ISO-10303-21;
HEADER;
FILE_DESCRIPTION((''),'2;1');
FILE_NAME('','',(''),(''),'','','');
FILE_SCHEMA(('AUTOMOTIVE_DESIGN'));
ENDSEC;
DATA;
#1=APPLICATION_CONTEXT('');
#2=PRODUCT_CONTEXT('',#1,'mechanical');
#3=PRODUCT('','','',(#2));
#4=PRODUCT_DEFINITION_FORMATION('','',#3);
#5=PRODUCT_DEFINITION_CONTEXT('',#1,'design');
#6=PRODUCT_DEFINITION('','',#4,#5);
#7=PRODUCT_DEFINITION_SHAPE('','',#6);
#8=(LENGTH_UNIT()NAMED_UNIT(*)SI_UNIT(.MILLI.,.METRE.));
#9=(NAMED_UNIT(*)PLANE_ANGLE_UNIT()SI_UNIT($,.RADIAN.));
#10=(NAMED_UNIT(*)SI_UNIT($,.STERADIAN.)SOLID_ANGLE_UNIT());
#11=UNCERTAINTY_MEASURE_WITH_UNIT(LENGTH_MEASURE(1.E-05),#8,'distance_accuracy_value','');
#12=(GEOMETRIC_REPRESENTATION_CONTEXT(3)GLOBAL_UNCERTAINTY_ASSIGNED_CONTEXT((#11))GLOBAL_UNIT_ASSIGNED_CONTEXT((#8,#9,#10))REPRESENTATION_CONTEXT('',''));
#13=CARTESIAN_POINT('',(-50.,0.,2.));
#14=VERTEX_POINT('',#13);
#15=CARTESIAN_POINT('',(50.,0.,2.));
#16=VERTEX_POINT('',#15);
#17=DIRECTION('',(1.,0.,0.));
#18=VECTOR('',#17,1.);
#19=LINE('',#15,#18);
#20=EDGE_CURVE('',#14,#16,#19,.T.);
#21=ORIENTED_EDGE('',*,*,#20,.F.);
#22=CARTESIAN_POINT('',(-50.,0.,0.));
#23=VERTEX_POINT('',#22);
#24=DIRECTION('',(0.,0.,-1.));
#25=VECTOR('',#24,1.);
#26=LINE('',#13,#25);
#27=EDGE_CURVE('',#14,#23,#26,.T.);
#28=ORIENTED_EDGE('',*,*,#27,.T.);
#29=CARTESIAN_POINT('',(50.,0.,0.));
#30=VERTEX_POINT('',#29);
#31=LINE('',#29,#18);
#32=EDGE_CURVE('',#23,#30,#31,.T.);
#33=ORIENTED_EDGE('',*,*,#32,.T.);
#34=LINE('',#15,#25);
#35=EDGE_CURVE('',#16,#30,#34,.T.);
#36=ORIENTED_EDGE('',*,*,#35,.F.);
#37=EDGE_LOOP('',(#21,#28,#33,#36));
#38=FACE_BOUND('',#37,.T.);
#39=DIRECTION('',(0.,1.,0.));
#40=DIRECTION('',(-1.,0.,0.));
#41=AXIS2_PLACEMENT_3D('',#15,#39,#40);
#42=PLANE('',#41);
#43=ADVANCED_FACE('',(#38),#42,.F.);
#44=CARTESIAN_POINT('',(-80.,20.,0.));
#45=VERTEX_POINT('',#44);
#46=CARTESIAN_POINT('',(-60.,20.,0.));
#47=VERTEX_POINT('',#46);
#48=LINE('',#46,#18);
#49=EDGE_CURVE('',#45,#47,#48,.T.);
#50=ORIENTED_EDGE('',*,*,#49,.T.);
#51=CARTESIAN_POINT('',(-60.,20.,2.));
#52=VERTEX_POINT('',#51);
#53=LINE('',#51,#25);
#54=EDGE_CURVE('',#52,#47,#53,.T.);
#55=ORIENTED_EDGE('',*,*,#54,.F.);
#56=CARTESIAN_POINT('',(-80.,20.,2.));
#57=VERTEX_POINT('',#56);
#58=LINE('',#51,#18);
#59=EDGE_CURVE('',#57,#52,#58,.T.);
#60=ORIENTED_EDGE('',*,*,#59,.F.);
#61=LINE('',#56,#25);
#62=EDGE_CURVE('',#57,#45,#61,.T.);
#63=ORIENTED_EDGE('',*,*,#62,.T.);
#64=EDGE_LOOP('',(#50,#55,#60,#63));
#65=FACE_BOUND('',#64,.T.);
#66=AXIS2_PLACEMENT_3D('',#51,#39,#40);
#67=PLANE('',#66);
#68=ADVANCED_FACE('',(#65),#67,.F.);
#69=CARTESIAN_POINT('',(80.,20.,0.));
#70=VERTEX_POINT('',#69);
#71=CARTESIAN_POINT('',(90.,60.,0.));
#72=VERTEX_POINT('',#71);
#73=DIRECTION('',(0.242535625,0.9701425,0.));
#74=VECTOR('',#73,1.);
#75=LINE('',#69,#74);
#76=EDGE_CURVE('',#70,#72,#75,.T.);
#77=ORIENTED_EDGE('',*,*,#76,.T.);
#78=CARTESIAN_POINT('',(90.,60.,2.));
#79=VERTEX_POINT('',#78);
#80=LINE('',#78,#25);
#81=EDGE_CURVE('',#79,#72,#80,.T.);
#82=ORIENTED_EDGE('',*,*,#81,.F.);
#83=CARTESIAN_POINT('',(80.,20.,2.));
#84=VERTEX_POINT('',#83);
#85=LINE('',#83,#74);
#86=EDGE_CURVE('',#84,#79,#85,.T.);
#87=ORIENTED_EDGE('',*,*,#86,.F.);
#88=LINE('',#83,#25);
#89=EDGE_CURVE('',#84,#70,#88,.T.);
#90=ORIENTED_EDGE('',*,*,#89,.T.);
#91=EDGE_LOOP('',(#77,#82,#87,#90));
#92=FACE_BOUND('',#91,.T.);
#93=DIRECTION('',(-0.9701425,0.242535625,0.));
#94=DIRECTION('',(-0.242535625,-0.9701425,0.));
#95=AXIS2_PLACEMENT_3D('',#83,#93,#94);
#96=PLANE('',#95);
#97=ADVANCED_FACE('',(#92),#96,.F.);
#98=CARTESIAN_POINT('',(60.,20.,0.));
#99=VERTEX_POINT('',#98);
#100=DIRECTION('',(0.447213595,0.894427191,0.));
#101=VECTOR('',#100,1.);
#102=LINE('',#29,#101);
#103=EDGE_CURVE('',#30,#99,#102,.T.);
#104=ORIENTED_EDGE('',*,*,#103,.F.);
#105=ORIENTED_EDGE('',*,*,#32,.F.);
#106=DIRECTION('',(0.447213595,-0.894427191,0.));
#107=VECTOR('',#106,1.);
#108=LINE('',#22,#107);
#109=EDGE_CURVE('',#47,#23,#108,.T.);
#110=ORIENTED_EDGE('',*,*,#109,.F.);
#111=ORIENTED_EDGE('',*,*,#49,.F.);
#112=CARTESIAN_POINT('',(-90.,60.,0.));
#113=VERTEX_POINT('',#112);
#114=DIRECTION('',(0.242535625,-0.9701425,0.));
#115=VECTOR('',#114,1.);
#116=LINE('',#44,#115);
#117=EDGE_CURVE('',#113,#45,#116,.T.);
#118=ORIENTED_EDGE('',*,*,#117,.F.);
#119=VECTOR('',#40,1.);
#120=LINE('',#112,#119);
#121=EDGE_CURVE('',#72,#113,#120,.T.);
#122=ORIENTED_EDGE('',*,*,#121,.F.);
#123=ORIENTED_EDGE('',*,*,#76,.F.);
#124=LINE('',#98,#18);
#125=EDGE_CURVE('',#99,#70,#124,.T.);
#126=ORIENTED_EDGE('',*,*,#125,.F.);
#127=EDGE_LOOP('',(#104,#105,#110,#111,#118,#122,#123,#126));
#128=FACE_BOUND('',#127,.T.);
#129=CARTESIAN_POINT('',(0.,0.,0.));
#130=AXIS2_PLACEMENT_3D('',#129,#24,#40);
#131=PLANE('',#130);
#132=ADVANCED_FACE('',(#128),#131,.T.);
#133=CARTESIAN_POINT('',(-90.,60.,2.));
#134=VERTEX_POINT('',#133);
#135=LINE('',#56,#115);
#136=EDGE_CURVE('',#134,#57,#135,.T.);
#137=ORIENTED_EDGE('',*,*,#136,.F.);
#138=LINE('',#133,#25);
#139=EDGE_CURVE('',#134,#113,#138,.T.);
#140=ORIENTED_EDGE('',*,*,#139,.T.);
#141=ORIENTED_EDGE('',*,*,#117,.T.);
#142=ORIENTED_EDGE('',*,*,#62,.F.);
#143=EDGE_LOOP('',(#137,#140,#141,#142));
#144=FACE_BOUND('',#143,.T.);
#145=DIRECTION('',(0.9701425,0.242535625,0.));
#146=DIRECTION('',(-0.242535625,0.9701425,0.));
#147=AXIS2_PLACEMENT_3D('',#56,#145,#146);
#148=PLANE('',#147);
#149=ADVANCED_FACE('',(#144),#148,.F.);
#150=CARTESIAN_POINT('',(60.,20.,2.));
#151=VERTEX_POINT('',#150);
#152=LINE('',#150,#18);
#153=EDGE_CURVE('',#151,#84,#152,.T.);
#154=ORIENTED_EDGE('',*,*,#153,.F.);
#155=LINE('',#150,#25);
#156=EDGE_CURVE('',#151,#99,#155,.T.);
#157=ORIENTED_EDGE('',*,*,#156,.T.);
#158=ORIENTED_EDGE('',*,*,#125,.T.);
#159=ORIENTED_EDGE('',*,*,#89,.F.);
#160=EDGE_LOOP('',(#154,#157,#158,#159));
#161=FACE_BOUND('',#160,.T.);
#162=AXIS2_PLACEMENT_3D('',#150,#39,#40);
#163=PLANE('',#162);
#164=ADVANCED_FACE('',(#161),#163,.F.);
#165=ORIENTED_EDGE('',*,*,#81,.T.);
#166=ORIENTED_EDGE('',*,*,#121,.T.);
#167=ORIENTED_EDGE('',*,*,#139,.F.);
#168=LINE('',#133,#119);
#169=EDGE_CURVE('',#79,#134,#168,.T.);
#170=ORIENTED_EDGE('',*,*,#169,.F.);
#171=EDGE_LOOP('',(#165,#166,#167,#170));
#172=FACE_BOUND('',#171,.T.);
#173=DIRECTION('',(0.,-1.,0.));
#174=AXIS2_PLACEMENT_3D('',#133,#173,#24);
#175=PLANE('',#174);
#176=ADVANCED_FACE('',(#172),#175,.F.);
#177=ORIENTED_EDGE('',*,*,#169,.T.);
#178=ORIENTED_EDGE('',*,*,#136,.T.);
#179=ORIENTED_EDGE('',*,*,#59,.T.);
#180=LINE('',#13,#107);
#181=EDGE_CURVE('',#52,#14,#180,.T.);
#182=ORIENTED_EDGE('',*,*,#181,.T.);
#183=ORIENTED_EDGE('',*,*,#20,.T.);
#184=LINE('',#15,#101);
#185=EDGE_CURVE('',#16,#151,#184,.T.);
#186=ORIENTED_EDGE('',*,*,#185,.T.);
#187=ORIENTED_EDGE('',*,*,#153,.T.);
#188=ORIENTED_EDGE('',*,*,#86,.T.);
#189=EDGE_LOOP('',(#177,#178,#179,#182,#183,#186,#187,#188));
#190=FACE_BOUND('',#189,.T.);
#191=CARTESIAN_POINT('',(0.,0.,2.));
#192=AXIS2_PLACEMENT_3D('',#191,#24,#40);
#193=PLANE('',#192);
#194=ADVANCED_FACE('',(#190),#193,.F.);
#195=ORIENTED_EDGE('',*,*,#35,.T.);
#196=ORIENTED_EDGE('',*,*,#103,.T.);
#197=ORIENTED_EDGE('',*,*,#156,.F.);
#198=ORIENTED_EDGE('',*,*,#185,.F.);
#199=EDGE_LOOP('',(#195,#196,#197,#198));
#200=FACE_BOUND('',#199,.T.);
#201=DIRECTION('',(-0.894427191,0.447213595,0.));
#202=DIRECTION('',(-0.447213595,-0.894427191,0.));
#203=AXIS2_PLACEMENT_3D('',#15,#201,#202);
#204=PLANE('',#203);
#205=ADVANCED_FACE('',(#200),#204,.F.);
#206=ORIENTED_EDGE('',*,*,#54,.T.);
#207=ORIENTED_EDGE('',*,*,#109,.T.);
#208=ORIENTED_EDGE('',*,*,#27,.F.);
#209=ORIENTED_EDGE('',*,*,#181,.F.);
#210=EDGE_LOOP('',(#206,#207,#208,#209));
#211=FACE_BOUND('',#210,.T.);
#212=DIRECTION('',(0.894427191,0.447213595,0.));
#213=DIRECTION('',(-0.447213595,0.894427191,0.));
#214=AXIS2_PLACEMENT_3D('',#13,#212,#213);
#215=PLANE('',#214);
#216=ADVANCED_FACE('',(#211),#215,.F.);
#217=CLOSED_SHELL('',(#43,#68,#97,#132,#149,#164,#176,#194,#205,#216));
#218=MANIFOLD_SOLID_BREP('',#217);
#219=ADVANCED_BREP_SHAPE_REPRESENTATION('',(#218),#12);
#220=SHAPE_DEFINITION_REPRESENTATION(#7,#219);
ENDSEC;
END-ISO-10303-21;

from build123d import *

# Parameters (mm, degrees)
EXTRUDE_1_DEPTH = 2


with BuildPart() as part:
    # 草图2 → 凸台-拉伸1 (new body)
    with BuildSketch(Plane.XY):
        Polygon((-90, 60), (90, 60), (80, 20), (60, 20), (50, 0), (-50, 0), (-60, 20), (-80, 20), align=None)
    extrude(amount=EXTRUDE_1_DEPTH)


solid = part.part
